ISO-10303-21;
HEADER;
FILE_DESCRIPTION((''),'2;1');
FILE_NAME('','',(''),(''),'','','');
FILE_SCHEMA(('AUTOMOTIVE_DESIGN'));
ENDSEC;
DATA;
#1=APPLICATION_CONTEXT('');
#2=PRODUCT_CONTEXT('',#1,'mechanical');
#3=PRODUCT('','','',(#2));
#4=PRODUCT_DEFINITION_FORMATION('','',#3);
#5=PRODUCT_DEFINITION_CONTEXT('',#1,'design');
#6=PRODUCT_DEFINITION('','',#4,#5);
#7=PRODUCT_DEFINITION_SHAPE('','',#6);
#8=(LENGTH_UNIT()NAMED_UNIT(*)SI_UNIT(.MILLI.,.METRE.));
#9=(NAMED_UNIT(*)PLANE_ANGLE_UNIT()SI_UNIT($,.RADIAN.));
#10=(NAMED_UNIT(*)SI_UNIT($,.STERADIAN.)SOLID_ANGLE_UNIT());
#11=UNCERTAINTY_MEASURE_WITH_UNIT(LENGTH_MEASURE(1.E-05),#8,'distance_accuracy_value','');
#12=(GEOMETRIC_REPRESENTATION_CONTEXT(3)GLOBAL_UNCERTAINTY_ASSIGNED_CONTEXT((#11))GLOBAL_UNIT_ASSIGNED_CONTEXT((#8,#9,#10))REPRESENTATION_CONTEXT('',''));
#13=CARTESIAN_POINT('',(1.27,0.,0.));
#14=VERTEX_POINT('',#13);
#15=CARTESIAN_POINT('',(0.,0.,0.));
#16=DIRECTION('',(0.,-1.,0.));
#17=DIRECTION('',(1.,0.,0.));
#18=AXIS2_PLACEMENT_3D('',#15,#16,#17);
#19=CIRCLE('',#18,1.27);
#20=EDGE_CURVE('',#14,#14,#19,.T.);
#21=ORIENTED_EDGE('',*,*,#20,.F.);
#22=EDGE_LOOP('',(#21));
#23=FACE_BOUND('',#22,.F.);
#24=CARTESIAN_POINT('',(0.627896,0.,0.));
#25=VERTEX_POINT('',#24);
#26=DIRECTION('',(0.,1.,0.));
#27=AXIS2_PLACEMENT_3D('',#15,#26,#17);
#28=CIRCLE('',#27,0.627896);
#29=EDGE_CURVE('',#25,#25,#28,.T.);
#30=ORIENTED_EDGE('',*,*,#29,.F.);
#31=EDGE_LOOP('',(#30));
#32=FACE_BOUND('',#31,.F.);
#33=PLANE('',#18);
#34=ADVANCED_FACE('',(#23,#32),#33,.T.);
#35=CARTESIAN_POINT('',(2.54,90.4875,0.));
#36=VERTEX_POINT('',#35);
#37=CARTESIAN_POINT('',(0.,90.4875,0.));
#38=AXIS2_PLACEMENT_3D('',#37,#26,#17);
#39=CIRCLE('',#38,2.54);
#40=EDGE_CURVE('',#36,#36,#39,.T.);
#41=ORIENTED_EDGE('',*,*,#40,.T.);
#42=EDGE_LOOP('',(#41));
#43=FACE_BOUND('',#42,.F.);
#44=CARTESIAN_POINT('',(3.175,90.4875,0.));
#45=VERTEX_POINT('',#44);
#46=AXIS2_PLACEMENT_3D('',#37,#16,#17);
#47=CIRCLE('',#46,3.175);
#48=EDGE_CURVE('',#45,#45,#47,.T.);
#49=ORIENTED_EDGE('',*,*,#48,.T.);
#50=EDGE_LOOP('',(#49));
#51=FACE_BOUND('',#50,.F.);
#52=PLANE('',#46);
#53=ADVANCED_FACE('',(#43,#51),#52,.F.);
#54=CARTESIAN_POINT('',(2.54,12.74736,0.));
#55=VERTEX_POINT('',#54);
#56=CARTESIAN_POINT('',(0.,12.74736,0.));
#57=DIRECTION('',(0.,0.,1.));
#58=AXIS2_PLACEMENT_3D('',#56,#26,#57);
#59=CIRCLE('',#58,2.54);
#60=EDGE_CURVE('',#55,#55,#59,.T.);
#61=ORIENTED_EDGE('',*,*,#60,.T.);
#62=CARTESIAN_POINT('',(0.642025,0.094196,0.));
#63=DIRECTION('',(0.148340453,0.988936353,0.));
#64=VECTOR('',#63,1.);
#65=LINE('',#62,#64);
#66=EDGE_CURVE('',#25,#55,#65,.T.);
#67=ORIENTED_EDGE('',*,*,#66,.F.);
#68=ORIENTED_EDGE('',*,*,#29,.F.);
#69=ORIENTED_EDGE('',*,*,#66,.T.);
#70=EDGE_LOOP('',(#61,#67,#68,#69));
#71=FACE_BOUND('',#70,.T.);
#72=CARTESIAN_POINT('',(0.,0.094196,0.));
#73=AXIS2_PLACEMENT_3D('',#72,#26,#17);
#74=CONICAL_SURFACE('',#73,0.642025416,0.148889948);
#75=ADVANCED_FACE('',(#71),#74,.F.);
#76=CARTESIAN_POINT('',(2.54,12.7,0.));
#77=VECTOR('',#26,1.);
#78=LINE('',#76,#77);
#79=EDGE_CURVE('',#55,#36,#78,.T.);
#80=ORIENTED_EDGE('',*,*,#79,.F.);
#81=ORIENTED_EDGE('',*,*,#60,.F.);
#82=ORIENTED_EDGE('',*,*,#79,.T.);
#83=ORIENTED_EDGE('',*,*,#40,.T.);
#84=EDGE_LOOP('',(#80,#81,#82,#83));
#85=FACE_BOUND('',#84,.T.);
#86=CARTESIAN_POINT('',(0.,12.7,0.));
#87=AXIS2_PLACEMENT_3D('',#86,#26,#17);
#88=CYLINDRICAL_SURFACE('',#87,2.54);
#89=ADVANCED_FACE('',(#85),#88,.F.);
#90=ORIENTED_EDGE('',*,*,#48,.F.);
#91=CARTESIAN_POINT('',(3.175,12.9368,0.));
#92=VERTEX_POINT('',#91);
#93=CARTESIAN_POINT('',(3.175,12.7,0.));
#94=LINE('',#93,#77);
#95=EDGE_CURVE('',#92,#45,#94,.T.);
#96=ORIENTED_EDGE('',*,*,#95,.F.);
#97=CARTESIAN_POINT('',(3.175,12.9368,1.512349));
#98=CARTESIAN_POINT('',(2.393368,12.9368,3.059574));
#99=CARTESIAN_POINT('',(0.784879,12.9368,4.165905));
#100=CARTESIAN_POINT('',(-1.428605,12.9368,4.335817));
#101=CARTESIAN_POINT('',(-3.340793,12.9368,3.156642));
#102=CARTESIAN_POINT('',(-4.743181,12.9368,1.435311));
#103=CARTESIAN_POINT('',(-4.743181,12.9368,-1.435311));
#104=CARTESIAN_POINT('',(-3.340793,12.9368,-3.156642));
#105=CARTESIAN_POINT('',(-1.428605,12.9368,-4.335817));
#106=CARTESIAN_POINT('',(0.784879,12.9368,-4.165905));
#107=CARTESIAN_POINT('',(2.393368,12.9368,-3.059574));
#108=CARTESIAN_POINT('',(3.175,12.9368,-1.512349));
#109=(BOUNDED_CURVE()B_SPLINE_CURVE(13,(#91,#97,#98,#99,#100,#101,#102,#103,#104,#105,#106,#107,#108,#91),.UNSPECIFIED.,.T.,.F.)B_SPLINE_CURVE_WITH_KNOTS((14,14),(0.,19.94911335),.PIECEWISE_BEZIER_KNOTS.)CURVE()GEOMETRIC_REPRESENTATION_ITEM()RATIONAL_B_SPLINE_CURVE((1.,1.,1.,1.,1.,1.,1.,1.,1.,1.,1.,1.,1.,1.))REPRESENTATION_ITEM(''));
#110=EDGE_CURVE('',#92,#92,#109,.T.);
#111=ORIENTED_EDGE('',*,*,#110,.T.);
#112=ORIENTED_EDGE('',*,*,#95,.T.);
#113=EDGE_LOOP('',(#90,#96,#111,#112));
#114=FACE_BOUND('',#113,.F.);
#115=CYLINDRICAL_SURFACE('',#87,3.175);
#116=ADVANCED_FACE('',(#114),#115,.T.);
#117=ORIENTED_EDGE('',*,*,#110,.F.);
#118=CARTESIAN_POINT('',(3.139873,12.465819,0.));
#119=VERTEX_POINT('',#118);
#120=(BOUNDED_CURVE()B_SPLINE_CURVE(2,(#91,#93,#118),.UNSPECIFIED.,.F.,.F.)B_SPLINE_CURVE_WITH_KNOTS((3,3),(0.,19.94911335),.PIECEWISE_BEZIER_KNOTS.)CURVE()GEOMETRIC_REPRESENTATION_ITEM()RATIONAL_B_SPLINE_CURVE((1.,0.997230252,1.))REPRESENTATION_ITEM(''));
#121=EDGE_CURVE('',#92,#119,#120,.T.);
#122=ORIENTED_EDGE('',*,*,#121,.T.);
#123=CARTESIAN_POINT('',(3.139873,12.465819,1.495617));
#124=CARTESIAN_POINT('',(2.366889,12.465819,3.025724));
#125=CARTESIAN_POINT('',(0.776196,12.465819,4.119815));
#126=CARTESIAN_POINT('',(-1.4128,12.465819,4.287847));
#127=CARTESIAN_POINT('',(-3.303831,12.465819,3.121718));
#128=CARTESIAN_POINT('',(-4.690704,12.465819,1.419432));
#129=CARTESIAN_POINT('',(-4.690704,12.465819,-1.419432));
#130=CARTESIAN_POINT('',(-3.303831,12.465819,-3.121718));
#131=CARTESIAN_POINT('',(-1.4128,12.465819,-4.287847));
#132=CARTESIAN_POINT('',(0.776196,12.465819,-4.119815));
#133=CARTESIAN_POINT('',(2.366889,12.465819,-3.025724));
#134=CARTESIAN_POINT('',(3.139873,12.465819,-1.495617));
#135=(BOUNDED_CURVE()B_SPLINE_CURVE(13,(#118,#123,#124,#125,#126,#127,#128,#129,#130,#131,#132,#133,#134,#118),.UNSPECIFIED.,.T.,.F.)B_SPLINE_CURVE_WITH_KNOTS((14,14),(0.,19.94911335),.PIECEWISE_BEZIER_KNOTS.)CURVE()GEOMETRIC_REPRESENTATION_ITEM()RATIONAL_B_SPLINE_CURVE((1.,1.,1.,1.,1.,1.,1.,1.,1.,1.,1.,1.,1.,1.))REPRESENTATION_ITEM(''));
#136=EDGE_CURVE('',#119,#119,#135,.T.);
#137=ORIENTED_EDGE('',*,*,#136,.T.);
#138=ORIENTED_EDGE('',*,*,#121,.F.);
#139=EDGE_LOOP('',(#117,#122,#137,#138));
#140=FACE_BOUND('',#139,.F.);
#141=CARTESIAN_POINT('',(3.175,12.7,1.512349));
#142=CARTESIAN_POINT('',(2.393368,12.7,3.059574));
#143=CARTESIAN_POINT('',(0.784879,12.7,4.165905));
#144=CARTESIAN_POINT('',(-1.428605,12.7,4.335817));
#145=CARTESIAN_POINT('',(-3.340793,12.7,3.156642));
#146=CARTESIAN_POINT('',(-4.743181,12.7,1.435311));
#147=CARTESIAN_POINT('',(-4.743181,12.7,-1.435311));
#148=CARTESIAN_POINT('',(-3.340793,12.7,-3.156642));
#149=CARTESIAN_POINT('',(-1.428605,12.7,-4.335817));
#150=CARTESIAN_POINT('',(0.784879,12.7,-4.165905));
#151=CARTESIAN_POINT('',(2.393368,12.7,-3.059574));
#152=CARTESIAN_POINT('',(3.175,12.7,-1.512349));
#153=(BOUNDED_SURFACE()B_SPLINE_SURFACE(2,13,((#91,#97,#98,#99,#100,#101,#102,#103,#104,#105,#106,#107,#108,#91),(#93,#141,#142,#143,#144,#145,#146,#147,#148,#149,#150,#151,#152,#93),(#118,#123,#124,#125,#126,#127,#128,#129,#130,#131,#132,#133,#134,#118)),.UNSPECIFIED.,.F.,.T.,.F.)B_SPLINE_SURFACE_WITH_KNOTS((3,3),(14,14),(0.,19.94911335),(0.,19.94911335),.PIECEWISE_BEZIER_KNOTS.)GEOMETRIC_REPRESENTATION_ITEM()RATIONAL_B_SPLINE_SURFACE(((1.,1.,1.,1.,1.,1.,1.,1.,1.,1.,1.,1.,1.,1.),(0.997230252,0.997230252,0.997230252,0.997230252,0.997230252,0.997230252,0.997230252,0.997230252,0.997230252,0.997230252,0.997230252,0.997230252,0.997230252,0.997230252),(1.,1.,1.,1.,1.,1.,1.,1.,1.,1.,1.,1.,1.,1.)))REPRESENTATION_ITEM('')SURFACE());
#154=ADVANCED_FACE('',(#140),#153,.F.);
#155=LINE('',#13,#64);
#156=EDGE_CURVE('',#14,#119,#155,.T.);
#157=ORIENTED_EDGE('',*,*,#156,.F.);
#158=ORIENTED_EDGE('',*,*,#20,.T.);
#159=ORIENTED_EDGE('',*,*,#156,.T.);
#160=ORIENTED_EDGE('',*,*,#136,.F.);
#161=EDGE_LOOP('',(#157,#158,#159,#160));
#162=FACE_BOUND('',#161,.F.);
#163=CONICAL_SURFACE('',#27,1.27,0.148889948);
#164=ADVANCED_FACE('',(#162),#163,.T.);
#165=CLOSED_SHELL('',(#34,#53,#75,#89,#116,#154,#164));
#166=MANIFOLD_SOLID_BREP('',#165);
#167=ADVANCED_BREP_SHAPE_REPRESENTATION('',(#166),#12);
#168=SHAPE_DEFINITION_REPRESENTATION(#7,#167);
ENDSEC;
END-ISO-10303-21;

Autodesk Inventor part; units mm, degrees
ref_plane "YZ Plane" through (0, 0, 0) normal (1, 0, 0) x (0, 1, 0)
ref_plane "XZ Plane" through (0, 0, 0) normal (0, 1, 0) x (-1, 0, 0)
ref_plane "XY Plane" through (0, 0, 0) normal (0, 0, 1) x (1, 0, 0)
sketch "Sketch1" plane through (0, 0, 0) normal (0, 0, 1) x (1, 0, 0)
  line L0 (0, 0) -> (1.27, 0)
  line L1 (3.175, 12.7) -> (3.175, 90.4875)
  line L2 (3.175, 90.4875) -> (0, 90.4875)
  line L3 (0, 90.4875) -> (0, 0)
  line L4 (1.27, 0) -> (3.175, 12.7)
  dimension "d0" = 3.175
  dimension "d1" = 77.7875
  dimension "d2" = 1.27
  dimension "d3" = 12.7
revolve "Revolution1" add sketch "Sketch1" angle 360 about axis through (0, 90.4875, 0) along (0, -1, 0)
shell "Shell1" thickness 0.635 removed faces 2 at (-0.5202, 90.4875, -0.7796) at (-0.1274, 0, 0.3526)
fillet "Fillet1" radius 3.175 1 edges at (-3.175, 12.7, 0)
properties part number "Pipette" material "Glass"
